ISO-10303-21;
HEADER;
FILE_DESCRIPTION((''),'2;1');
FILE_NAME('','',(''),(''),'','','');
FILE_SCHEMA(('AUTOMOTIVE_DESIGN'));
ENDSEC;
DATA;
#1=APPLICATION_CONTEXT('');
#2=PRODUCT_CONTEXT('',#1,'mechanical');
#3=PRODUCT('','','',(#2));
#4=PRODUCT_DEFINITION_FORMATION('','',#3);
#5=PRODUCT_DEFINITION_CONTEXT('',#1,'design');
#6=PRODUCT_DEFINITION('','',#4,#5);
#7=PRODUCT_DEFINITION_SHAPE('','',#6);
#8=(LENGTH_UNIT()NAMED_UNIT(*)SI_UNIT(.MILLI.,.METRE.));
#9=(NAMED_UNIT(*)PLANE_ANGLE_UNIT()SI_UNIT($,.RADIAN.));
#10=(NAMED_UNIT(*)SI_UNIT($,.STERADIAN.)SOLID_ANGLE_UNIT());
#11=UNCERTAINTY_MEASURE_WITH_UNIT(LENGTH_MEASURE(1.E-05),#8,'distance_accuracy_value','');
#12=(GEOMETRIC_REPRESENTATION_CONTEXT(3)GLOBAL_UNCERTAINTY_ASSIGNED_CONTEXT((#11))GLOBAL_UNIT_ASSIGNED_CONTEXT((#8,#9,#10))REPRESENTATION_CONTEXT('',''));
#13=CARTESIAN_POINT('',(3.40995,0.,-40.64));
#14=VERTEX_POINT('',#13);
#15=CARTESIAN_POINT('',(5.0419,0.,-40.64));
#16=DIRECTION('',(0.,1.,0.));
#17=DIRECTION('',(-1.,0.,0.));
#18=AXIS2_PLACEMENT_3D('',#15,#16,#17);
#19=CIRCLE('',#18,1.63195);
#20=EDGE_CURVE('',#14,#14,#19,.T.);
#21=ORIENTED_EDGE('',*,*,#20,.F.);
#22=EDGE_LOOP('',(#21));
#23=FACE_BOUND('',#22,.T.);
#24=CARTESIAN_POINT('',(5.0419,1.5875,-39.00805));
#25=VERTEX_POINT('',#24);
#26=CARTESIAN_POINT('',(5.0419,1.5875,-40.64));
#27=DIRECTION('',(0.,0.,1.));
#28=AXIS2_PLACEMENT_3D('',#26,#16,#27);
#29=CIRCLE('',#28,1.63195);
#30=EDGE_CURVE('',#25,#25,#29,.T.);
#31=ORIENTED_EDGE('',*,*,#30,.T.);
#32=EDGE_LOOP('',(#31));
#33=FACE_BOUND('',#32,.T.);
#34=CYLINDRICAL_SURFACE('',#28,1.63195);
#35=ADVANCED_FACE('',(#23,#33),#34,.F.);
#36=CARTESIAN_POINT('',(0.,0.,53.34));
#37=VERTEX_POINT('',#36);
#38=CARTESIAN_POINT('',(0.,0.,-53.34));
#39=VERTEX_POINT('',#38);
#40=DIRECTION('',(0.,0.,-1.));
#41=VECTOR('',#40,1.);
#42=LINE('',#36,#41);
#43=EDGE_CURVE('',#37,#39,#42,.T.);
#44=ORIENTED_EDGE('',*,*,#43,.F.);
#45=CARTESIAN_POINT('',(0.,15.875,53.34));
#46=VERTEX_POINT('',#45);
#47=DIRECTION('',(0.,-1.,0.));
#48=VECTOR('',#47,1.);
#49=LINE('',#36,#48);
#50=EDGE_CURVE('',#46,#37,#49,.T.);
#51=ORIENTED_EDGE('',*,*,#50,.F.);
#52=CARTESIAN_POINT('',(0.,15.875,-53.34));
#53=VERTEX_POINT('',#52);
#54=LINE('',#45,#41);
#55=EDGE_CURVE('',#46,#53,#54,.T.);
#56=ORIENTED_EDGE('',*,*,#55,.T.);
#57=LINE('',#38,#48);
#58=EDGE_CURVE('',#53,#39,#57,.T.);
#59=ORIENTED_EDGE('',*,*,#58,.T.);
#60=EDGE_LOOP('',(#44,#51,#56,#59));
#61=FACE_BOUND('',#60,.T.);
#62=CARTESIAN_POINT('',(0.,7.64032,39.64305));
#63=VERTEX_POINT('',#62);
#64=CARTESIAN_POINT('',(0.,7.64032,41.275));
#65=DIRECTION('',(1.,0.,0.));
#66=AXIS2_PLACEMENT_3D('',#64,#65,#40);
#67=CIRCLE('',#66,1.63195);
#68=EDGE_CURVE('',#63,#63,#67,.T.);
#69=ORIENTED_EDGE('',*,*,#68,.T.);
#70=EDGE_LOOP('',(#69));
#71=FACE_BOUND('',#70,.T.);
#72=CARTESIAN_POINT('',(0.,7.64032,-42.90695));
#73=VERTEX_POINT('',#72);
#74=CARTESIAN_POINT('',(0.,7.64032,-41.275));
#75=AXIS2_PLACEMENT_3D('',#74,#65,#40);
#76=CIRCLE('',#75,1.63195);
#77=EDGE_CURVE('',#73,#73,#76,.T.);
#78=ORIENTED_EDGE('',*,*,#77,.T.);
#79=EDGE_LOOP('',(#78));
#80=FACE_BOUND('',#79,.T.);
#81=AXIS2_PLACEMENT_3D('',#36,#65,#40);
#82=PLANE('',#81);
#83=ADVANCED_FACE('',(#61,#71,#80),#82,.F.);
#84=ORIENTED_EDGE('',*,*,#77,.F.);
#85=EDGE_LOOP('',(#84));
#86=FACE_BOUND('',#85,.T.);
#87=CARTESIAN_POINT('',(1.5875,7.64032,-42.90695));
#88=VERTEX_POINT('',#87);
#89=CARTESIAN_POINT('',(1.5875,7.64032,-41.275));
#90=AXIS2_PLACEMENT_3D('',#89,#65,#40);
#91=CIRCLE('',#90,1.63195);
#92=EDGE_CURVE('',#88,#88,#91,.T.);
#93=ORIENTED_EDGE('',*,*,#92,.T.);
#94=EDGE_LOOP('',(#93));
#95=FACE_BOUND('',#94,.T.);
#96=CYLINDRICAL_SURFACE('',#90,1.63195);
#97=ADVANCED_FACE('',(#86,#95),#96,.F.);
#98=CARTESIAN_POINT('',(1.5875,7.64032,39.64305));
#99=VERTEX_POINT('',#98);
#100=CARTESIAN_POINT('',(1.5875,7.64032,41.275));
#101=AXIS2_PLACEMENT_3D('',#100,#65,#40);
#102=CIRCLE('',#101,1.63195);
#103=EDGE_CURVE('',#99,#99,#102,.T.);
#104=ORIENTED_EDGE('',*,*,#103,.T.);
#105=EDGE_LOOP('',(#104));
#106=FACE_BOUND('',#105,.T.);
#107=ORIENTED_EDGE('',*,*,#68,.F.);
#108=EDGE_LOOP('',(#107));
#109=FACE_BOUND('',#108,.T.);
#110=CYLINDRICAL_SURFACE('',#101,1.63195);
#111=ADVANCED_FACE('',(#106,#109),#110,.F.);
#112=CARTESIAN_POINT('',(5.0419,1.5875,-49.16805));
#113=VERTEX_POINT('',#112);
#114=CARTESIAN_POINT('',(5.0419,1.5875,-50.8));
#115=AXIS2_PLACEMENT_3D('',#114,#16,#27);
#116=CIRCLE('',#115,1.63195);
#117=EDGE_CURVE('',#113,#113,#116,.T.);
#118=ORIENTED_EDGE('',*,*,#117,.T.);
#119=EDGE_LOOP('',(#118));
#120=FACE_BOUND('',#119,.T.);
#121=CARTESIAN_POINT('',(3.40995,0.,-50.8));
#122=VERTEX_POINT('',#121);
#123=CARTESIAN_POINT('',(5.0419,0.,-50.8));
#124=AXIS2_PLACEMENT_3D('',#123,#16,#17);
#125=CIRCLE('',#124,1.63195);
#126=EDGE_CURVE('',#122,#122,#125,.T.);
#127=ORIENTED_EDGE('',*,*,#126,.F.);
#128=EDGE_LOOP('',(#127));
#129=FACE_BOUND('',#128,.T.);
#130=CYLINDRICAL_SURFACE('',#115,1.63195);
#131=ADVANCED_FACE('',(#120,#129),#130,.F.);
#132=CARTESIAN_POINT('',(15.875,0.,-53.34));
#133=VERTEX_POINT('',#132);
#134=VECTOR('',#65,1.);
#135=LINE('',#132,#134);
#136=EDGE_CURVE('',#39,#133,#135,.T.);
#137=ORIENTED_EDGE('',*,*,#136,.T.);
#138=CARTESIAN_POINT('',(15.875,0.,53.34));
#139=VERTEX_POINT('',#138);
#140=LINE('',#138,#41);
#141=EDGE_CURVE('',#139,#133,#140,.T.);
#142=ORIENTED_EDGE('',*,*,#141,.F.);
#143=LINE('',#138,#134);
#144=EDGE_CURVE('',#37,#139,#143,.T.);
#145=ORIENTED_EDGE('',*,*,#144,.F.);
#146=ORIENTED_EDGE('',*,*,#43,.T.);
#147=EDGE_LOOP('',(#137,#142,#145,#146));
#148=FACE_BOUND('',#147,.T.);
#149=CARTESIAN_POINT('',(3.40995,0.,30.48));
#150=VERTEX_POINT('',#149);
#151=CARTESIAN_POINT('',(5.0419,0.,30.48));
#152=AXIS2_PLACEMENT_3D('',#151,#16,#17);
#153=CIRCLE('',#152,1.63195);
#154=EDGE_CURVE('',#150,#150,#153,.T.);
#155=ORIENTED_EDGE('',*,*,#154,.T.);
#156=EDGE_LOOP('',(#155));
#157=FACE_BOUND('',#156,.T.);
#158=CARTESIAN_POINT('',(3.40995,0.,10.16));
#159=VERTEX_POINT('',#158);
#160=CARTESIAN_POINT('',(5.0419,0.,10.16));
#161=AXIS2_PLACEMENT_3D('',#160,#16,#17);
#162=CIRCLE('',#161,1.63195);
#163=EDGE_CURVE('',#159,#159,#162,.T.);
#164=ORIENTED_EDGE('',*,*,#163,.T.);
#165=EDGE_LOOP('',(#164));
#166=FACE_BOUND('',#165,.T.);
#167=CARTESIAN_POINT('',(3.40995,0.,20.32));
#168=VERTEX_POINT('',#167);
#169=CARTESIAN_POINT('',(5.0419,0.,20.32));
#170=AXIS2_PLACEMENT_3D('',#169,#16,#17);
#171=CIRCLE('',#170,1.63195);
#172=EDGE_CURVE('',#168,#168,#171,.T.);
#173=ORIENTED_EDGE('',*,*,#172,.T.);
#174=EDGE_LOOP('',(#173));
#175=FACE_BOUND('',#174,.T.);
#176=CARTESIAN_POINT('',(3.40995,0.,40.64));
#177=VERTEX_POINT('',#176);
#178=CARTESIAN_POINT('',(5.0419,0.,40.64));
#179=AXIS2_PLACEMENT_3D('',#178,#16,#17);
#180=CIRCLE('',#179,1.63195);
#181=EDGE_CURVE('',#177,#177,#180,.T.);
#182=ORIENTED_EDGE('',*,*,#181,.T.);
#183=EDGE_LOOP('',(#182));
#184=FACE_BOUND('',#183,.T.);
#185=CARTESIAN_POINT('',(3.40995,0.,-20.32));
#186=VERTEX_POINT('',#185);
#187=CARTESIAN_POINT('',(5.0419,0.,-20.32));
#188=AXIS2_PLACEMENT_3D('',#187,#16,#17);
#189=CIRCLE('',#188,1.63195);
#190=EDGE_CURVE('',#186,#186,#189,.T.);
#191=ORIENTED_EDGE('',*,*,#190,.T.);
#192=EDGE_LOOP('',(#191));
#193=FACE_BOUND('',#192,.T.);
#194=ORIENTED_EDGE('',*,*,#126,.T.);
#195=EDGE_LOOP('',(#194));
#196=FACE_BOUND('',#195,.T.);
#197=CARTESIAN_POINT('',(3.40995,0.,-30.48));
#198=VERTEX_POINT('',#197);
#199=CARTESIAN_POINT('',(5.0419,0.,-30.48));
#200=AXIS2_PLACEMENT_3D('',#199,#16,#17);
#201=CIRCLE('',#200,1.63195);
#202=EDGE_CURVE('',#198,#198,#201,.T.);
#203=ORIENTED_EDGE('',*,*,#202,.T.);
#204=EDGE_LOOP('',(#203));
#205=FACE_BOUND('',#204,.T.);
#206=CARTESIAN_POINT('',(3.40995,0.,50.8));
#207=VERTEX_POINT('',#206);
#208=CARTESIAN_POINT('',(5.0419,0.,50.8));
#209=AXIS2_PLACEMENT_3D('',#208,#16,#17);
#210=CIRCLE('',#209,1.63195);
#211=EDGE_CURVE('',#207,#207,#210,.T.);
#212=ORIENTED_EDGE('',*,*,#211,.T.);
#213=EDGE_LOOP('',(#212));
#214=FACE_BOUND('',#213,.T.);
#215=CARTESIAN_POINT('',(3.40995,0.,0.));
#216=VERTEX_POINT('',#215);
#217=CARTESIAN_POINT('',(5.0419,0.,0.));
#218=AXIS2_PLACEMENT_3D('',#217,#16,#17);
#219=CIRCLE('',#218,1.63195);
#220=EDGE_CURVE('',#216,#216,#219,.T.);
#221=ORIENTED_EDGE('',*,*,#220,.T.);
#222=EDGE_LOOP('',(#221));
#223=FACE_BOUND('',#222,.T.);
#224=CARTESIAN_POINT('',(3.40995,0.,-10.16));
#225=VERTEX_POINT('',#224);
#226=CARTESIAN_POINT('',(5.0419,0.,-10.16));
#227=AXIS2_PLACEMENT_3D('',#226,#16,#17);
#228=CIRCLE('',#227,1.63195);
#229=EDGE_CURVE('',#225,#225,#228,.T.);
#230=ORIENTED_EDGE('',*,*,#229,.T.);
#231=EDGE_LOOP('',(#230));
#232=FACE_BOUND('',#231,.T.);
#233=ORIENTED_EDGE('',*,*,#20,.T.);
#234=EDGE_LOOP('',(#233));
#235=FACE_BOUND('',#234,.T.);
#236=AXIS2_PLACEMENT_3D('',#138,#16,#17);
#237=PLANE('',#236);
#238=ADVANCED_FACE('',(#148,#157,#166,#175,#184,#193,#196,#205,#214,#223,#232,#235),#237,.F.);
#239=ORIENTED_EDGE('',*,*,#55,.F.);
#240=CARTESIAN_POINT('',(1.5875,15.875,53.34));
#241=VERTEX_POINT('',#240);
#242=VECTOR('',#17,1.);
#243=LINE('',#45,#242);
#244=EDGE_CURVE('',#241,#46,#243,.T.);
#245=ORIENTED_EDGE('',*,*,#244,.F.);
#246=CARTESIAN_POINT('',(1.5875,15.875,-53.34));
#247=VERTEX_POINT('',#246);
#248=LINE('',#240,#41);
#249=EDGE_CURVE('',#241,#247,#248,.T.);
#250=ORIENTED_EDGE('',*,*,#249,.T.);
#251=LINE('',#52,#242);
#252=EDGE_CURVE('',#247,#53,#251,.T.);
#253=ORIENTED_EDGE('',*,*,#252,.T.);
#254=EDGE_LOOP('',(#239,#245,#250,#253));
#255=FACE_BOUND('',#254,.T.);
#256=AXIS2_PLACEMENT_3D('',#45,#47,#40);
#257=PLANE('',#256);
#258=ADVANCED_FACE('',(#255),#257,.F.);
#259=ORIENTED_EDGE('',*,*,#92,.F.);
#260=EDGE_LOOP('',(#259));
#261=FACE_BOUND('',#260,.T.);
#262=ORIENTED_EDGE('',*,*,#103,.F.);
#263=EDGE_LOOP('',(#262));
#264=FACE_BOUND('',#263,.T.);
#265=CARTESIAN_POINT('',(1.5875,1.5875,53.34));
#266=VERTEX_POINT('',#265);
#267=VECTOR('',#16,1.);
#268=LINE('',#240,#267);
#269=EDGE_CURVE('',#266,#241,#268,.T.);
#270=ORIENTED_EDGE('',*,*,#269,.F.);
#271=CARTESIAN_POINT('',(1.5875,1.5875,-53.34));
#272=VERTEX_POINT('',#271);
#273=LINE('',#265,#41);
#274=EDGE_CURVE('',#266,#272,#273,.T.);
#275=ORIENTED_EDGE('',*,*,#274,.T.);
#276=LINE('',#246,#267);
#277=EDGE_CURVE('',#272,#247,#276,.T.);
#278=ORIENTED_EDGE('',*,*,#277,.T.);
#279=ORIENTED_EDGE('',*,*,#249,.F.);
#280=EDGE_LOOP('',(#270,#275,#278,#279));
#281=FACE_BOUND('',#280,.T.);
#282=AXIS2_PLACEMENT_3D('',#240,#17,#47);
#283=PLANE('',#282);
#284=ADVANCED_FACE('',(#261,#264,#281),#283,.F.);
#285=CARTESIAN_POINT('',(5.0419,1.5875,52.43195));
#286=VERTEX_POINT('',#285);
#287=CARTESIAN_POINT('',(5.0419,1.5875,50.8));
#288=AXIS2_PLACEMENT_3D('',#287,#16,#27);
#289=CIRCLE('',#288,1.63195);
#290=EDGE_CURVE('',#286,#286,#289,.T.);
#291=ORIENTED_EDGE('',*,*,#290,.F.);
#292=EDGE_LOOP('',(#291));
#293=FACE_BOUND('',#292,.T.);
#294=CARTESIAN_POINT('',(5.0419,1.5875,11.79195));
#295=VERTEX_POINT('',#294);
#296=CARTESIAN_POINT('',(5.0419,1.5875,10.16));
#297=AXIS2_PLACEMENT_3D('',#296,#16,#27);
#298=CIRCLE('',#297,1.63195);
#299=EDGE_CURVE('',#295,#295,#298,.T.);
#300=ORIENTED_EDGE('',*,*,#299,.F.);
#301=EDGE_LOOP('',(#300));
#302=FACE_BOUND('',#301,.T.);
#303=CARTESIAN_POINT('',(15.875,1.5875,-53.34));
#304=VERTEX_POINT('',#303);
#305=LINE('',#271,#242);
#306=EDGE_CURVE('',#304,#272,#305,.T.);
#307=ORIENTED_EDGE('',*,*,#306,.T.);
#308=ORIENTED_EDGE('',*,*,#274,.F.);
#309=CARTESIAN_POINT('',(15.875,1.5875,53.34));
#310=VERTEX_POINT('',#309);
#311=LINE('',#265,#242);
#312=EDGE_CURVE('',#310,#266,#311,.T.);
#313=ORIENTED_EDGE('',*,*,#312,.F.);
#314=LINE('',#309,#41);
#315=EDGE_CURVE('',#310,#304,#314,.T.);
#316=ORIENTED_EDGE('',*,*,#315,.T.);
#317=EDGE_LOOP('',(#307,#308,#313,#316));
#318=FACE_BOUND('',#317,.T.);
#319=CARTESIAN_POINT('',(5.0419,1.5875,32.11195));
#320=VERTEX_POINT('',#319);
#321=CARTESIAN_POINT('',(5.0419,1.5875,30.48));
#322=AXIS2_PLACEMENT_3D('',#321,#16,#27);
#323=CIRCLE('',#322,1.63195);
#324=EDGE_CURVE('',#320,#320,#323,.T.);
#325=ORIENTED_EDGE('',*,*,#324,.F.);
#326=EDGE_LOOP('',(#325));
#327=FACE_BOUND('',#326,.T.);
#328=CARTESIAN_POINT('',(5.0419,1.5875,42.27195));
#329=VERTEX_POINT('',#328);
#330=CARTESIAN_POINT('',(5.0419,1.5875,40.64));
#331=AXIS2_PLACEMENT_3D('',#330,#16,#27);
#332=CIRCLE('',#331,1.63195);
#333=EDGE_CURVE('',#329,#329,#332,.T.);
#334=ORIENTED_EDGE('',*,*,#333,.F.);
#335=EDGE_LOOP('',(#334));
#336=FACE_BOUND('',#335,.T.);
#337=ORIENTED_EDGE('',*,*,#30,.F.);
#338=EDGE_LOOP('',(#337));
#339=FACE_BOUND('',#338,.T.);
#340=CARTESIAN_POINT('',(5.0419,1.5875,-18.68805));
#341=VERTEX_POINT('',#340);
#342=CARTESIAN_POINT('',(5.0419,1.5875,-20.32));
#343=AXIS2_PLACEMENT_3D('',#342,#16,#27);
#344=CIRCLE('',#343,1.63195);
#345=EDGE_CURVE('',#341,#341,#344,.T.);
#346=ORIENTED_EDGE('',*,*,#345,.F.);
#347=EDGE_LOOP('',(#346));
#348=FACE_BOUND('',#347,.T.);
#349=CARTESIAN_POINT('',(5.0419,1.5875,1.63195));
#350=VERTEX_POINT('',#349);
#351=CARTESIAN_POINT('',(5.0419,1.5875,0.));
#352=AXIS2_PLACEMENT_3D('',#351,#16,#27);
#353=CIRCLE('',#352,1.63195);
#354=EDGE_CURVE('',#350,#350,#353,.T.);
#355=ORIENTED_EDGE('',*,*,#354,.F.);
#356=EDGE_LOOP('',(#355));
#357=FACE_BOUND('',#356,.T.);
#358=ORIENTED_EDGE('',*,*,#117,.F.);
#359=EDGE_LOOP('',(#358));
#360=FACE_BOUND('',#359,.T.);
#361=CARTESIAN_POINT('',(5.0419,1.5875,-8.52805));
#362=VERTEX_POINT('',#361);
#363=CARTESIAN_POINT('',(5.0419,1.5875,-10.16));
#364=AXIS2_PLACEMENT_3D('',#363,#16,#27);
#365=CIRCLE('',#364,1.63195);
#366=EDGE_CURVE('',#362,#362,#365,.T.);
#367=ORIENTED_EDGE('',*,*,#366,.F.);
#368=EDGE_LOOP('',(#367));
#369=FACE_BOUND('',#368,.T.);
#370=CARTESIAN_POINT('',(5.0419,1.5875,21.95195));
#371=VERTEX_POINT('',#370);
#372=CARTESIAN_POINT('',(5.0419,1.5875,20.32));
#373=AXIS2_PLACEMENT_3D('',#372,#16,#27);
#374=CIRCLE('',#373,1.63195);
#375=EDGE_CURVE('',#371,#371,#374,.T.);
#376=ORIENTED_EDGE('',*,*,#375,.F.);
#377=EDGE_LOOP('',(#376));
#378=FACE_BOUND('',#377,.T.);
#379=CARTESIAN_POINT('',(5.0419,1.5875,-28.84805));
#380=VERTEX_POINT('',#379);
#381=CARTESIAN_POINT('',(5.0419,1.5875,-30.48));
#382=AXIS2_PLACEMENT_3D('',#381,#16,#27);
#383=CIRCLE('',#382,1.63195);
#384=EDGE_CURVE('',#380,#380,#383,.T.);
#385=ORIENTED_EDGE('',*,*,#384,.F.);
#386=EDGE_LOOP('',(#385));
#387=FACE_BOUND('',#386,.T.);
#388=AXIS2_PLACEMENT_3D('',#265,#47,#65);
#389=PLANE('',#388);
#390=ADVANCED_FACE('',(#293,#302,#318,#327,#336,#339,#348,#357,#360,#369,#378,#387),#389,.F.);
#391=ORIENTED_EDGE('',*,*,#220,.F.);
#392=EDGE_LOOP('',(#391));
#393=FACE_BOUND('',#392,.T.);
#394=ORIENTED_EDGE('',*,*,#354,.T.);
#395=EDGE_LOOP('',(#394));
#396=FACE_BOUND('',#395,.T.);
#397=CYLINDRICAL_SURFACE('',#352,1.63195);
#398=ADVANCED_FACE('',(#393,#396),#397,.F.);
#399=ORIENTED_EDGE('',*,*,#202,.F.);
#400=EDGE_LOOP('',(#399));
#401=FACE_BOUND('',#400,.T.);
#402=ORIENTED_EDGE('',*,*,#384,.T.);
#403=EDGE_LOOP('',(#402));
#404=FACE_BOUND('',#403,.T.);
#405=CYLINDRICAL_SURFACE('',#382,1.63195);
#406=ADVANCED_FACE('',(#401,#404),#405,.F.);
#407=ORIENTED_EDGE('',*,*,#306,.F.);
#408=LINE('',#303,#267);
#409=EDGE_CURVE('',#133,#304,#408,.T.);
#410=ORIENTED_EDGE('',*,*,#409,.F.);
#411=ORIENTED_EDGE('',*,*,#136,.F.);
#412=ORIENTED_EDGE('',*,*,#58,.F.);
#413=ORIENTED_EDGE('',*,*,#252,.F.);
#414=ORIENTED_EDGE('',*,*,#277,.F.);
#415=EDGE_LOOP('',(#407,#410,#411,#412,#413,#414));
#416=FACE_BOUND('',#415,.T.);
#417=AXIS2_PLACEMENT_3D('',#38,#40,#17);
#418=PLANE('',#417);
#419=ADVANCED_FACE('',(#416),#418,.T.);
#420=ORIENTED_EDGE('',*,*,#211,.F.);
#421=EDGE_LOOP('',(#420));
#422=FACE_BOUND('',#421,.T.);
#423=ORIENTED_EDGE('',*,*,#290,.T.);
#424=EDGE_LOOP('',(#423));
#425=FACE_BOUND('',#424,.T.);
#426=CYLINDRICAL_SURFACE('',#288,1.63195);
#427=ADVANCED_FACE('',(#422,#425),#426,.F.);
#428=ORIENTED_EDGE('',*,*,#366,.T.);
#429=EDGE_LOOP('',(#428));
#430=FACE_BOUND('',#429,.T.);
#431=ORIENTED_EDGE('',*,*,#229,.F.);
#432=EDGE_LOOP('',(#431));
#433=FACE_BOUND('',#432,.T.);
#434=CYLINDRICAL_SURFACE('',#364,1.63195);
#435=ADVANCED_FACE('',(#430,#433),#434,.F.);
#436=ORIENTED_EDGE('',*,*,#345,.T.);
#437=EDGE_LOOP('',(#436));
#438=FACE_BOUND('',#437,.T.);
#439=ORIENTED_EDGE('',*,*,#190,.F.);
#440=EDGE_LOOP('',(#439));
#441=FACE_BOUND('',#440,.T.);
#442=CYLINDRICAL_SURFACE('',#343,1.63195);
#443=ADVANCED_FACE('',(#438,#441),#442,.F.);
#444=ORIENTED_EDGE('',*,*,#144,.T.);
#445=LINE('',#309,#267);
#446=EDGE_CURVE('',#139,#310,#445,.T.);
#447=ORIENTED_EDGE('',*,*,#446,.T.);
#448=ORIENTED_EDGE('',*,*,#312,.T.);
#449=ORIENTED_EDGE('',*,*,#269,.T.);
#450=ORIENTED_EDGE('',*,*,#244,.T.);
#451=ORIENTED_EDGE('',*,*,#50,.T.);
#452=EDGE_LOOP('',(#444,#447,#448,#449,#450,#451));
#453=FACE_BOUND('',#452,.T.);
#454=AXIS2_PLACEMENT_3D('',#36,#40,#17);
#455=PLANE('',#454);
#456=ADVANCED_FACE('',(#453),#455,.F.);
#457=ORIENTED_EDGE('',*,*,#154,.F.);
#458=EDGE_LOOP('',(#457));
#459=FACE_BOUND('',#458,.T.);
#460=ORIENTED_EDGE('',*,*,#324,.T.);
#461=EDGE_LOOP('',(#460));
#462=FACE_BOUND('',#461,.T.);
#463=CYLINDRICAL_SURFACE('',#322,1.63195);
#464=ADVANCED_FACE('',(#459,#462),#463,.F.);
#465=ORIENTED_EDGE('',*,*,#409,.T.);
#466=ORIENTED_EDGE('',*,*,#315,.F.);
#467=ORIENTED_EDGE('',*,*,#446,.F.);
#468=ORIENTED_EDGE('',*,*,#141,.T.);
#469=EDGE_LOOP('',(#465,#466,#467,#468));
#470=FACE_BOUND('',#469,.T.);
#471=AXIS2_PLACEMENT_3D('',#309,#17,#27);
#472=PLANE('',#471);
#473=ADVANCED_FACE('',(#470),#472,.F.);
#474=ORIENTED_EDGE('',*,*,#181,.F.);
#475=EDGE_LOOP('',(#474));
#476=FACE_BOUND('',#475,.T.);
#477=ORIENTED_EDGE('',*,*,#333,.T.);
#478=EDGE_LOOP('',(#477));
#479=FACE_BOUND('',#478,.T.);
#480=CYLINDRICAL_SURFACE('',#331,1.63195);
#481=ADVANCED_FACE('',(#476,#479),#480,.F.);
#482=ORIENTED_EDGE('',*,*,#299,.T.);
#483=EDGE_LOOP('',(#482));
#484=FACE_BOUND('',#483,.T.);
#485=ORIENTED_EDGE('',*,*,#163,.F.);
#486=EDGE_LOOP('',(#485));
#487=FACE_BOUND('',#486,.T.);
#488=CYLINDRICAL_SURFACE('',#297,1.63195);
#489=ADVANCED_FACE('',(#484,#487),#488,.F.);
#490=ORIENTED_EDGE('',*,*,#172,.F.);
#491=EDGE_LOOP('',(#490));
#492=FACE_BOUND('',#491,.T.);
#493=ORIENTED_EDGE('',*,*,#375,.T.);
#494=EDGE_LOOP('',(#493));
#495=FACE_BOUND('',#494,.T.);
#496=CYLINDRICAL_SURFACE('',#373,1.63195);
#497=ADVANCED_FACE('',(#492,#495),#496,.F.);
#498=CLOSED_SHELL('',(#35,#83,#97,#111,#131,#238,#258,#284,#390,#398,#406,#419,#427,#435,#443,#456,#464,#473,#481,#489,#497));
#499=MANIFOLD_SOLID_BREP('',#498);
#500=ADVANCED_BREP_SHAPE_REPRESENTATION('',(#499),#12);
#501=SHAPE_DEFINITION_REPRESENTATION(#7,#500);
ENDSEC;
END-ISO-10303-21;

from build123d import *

# Parameters (mm, degrees)
EXTRUDE1_DEPTH            = 53.34
LPATTERN1_COUNT           = 6
LPATTERN1_PITCH           = 10.16
LPATTERN1_COL_COUNT       = 6
LPATTERN1_COL_PITCH       = 10.16
F_4_CLEARANCE_HOLE2_D     = 3.2639
F_4_CLEARANCE_HOLE2_DEPTH = 15.24
F_4_CLEARANCE_HOLE2_TIP   = 0.980574487


with BuildPart() as part:
    # Sketch1 → Extrude1 (new, symmetric)
    with BuildSketch(Plane.XY):
        Polygon((0, 0), (0, 15.875), (1.5875, 15.875), (1.5875, 1.5875), (15.875, 1.5875), (15.875, 0), align=None)
    extrude(amount=EXTRUDE1_DEPTH, both=True)

    # Sketch3 → #4 Clearance Hole1 (revolve, cut)
    with BuildSketch(Plane(origin=(5.0419, 1.5875, 0), x_dir=(0, 0, 1), z_dir=(1, 0, 0))):
        Polygon((0, 0), (0, 16.220574487), (1.63195, 15.24), (1.63195, 0), align=None)
    f_4_clearance_hole1 = revolve(axis=Axis((5.0419, 7.9375, 0), (0, -1, 0)), mode=Mode.SUBTRACT)

    # LPattern1: #4 Clearance Hole1 ×6
    with Locations(*[(0, 0, i * LPATTERN1_PITCH) for i in range(1, LPATTERN1_COUNT)]):
        add(f_4_clearance_hole1, mode=Mode.SUBTRACT)

    # LPattern1 col: #4 Clearance Hole1 ×6
    with Locations(*[(0, 0, -i * LPATTERN1_COL_PITCH) for i in range(1, LPATTERN1_COL_COUNT)]):
        add(f_4_clearance_hole1, mode=Mode.SUBTRACT)

    # #4 Clearance Hole2
    with Locations(Plane(origin=(1.5875, 7.64032, -41.275), x_dir=(0, 1, 0), z_dir=(1, 0, 0))):
        with Locations((0, 0), (0, 82.55)):
            Hole(F_4_CLEARANCE_HOLE2_D / 2, depth=F_4_CLEARANCE_HOLE2_DEPTH)
            with Locations((0, 0, -(F_4_CLEARANCE_HOLE2_DEPTH + F_4_CLEARANCE_HOLE2_TIP / 2))):  # 118° drill point
                Cone(0, F_4_CLEARANCE_HOLE2_D / 2, F_4_CLEARANCE_HOLE2_TIP, mode=Mode.SUBTRACT)


solid = part.part
